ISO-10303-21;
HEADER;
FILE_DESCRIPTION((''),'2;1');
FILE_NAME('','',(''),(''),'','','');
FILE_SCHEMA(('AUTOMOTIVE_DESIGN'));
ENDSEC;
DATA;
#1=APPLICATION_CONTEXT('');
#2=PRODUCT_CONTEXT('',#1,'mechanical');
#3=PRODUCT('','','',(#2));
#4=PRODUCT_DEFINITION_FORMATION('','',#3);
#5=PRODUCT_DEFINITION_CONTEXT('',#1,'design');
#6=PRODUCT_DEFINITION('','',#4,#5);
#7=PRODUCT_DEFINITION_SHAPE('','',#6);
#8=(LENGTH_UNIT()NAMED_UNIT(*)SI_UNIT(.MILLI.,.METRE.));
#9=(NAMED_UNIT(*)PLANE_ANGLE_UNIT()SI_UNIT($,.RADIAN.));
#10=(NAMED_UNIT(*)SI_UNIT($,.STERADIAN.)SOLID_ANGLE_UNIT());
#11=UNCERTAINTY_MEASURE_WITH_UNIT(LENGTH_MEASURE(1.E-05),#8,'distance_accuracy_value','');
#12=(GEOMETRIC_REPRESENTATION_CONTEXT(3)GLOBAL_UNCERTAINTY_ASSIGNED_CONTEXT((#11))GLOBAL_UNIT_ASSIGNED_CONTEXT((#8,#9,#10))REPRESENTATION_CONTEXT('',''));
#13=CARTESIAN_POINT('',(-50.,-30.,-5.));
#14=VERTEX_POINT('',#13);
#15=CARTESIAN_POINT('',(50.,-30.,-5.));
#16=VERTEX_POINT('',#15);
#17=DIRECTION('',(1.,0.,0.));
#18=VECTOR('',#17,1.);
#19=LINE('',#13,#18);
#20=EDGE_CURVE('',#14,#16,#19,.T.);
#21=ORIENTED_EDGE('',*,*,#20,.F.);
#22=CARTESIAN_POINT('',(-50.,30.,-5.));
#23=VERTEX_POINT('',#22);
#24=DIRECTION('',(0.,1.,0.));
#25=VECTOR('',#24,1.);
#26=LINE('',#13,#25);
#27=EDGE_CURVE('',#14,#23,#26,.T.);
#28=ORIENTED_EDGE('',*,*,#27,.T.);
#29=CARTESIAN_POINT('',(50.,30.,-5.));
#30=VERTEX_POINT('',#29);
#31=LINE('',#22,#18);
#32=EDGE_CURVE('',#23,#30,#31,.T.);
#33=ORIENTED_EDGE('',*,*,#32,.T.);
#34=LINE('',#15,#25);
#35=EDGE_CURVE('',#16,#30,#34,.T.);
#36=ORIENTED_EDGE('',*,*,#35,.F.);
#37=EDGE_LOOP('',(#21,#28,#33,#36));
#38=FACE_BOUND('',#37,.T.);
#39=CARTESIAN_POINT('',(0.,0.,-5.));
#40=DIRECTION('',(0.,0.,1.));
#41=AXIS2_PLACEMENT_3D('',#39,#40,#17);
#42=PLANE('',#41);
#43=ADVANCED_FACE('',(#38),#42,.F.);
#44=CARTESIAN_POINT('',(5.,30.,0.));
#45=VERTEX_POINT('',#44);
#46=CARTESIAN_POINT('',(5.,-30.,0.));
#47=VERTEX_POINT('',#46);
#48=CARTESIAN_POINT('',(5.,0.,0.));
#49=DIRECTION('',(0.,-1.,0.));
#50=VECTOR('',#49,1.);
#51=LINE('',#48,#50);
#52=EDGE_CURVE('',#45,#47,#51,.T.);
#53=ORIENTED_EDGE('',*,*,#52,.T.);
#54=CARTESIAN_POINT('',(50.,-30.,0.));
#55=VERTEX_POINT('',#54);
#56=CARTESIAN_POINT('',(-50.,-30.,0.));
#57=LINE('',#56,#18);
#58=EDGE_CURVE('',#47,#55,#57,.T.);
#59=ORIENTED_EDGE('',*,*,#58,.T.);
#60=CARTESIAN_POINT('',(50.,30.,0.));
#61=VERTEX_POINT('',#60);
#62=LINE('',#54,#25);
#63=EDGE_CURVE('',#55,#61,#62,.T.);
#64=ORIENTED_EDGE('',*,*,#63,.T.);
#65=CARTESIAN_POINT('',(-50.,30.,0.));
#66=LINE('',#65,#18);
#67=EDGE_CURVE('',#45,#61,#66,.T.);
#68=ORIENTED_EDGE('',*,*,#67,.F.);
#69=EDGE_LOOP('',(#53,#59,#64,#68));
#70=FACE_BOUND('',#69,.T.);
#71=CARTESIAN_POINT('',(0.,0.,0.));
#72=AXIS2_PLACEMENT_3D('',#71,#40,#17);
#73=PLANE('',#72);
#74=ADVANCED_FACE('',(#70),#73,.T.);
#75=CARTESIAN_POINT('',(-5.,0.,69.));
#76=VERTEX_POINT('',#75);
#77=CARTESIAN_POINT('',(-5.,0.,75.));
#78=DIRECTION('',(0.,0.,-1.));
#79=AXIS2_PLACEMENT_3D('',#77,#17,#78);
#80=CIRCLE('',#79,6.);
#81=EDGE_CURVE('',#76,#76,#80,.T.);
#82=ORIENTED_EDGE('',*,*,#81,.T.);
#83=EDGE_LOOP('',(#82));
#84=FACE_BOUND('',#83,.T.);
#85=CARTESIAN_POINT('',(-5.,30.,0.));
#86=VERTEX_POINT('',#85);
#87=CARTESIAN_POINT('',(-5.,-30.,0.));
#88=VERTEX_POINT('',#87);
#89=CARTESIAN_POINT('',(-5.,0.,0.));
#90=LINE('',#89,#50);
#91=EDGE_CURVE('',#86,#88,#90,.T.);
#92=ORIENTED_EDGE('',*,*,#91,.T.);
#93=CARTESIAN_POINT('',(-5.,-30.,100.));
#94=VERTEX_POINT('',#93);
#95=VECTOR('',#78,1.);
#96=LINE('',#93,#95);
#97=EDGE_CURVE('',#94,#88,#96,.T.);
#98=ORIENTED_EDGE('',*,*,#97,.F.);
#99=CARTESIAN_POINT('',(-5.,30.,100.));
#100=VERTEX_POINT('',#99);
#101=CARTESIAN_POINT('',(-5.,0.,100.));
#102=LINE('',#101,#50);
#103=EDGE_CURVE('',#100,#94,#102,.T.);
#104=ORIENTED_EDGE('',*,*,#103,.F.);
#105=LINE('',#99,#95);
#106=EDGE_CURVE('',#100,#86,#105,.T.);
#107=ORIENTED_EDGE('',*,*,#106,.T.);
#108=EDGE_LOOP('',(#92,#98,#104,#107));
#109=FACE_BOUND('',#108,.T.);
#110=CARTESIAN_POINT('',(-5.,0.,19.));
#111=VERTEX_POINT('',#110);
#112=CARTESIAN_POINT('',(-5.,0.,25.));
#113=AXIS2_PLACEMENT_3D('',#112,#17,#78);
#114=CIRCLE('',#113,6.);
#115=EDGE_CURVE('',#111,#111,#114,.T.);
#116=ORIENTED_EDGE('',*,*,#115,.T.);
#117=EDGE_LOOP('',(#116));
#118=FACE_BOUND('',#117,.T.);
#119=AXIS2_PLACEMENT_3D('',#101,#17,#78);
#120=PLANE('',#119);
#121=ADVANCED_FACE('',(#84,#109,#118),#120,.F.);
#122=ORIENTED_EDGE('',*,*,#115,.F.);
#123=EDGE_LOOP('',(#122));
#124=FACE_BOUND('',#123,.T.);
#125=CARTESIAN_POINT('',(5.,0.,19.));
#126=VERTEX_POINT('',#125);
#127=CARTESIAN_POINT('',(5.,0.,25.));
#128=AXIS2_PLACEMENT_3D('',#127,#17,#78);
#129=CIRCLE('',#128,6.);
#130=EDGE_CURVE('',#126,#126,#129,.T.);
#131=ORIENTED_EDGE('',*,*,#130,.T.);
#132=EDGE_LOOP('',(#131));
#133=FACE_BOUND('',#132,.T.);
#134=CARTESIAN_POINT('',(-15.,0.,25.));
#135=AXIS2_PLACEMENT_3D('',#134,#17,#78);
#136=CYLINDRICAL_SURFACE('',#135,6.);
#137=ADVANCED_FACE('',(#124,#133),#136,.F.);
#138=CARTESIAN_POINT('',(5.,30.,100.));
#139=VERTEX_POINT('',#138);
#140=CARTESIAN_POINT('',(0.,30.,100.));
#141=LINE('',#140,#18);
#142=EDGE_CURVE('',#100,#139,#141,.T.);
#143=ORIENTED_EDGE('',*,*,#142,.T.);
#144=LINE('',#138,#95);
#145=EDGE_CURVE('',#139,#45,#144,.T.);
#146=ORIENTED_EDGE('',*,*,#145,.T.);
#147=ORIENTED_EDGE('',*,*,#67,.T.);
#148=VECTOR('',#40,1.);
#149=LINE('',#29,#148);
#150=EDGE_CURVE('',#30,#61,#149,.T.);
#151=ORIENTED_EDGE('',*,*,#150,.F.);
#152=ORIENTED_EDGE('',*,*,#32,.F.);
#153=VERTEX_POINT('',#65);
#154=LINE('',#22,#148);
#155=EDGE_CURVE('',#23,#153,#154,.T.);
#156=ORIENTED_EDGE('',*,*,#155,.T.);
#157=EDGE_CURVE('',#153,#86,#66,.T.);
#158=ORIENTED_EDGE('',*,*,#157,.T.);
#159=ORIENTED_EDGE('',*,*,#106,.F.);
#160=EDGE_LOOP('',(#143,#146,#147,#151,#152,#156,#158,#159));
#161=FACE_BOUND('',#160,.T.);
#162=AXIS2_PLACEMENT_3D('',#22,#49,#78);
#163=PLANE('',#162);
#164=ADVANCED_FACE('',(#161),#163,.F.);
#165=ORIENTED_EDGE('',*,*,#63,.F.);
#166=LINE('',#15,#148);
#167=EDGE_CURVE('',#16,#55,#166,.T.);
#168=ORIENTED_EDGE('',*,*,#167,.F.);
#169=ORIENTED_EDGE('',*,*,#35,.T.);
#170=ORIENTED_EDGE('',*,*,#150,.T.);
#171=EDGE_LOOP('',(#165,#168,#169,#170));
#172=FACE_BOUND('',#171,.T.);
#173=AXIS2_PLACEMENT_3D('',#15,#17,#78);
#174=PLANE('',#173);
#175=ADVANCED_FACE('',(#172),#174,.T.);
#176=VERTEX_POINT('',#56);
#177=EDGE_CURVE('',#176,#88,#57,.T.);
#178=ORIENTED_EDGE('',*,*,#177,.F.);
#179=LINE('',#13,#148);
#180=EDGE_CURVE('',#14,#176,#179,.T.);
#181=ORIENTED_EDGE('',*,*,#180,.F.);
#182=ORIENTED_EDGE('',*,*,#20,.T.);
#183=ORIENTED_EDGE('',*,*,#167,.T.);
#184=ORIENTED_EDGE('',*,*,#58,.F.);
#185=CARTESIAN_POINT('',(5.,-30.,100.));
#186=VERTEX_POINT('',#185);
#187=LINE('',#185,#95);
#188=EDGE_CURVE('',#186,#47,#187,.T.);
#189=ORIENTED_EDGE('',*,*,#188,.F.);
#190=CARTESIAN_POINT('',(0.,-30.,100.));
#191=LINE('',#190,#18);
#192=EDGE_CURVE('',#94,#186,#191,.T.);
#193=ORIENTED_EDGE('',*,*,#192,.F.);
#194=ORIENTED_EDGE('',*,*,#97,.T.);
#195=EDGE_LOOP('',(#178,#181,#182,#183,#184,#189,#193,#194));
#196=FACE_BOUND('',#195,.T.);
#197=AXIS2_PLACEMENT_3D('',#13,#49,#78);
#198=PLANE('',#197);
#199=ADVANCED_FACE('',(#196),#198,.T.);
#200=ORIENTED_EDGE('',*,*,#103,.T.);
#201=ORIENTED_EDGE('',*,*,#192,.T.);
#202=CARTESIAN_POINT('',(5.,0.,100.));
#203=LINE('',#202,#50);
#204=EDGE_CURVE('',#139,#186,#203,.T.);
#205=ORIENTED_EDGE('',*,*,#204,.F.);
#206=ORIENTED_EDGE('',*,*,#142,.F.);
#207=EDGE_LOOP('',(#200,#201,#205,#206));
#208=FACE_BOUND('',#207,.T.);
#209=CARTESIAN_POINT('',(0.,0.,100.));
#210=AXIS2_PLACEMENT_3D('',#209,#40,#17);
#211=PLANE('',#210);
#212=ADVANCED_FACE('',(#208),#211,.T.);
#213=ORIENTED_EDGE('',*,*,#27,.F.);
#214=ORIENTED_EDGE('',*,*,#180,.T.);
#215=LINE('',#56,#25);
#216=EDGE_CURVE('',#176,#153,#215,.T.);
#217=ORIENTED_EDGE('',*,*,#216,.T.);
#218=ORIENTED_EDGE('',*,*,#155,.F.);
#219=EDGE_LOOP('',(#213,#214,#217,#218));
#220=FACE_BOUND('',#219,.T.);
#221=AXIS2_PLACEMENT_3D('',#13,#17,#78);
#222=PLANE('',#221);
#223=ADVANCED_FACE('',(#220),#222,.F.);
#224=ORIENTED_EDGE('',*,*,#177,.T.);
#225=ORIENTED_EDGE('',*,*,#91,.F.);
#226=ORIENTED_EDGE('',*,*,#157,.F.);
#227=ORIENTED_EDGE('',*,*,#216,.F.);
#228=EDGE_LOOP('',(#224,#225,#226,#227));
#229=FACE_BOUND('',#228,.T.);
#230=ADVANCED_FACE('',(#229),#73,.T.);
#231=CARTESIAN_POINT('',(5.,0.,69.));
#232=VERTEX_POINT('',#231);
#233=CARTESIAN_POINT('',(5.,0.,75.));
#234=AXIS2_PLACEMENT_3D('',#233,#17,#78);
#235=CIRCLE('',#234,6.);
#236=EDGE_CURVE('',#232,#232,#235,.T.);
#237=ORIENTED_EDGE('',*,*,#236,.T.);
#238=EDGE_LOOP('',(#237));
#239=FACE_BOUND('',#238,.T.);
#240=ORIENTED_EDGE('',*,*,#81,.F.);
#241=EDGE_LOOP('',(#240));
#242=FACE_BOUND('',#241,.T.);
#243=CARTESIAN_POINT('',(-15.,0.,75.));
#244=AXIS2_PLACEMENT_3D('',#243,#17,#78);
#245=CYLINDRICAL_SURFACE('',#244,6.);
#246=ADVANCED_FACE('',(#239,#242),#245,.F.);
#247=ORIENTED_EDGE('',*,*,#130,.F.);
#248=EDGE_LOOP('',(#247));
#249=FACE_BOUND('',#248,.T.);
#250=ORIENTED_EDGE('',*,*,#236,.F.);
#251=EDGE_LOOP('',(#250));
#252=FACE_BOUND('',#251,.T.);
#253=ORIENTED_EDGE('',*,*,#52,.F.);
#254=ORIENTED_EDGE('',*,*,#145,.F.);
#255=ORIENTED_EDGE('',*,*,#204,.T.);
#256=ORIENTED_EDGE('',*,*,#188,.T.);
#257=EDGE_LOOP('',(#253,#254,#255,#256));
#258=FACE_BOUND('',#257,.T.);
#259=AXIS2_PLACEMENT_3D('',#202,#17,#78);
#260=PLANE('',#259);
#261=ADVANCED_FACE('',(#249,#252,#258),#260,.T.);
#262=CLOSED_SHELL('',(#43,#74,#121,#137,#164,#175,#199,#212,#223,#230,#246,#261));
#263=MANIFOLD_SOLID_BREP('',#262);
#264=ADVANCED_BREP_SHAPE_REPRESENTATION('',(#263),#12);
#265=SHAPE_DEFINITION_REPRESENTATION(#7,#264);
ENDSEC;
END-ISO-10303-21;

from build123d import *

# Parameters (mm, degrees)
CROQUIS3_W              = 100
CROQUIS3_H              = 60
SALIENTE_EXTRUIR1_DEPTH = 5
CROQUIS3_3_W            = 10
CROQUIS3_3_H            = 60
SALIENTE_EXTRUIR2_DEPTH = 100
CROQUIS5_R              = 6
CORTAR_EXTRUIR1_DEPTH   = 20


with BuildPart() as part:
    # Croquis3 → Saliente-Extruir1 (new body)
    with BuildSketch(Plane.XY):
        Rectangle(CROQUIS3_W, CROQUIS3_H)
    extrude(amount=-SALIENTE_EXTRUIR1_DEPTH)

    # Croquis3<3> → Saliente-Extruir2 (add)
    with BuildSketch(Plane.XY):
        Rectangle(CROQUIS3_3_W, CROQUIS3_3_H)
    extrude(amount=SALIENTE_EXTRUIR2_DEPTH)

    # Croquis5 → Cortar-Extruir1 (cut)
    with BuildSketch(Plane(origin=(5, 0, 0), x_dir=(0, 0, -1), z_dir=(1, 0, 0))):
        with Locations((-75, 0)):
            Circle(CROQUIS5_R)
        with Locations((-25, 0)):
            Circle(CROQUIS5_R)
    extrude(amount=-CORTAR_EXTRUIR1_DEPTH, mode=Mode.SUBTRACT)


solid = part.part
